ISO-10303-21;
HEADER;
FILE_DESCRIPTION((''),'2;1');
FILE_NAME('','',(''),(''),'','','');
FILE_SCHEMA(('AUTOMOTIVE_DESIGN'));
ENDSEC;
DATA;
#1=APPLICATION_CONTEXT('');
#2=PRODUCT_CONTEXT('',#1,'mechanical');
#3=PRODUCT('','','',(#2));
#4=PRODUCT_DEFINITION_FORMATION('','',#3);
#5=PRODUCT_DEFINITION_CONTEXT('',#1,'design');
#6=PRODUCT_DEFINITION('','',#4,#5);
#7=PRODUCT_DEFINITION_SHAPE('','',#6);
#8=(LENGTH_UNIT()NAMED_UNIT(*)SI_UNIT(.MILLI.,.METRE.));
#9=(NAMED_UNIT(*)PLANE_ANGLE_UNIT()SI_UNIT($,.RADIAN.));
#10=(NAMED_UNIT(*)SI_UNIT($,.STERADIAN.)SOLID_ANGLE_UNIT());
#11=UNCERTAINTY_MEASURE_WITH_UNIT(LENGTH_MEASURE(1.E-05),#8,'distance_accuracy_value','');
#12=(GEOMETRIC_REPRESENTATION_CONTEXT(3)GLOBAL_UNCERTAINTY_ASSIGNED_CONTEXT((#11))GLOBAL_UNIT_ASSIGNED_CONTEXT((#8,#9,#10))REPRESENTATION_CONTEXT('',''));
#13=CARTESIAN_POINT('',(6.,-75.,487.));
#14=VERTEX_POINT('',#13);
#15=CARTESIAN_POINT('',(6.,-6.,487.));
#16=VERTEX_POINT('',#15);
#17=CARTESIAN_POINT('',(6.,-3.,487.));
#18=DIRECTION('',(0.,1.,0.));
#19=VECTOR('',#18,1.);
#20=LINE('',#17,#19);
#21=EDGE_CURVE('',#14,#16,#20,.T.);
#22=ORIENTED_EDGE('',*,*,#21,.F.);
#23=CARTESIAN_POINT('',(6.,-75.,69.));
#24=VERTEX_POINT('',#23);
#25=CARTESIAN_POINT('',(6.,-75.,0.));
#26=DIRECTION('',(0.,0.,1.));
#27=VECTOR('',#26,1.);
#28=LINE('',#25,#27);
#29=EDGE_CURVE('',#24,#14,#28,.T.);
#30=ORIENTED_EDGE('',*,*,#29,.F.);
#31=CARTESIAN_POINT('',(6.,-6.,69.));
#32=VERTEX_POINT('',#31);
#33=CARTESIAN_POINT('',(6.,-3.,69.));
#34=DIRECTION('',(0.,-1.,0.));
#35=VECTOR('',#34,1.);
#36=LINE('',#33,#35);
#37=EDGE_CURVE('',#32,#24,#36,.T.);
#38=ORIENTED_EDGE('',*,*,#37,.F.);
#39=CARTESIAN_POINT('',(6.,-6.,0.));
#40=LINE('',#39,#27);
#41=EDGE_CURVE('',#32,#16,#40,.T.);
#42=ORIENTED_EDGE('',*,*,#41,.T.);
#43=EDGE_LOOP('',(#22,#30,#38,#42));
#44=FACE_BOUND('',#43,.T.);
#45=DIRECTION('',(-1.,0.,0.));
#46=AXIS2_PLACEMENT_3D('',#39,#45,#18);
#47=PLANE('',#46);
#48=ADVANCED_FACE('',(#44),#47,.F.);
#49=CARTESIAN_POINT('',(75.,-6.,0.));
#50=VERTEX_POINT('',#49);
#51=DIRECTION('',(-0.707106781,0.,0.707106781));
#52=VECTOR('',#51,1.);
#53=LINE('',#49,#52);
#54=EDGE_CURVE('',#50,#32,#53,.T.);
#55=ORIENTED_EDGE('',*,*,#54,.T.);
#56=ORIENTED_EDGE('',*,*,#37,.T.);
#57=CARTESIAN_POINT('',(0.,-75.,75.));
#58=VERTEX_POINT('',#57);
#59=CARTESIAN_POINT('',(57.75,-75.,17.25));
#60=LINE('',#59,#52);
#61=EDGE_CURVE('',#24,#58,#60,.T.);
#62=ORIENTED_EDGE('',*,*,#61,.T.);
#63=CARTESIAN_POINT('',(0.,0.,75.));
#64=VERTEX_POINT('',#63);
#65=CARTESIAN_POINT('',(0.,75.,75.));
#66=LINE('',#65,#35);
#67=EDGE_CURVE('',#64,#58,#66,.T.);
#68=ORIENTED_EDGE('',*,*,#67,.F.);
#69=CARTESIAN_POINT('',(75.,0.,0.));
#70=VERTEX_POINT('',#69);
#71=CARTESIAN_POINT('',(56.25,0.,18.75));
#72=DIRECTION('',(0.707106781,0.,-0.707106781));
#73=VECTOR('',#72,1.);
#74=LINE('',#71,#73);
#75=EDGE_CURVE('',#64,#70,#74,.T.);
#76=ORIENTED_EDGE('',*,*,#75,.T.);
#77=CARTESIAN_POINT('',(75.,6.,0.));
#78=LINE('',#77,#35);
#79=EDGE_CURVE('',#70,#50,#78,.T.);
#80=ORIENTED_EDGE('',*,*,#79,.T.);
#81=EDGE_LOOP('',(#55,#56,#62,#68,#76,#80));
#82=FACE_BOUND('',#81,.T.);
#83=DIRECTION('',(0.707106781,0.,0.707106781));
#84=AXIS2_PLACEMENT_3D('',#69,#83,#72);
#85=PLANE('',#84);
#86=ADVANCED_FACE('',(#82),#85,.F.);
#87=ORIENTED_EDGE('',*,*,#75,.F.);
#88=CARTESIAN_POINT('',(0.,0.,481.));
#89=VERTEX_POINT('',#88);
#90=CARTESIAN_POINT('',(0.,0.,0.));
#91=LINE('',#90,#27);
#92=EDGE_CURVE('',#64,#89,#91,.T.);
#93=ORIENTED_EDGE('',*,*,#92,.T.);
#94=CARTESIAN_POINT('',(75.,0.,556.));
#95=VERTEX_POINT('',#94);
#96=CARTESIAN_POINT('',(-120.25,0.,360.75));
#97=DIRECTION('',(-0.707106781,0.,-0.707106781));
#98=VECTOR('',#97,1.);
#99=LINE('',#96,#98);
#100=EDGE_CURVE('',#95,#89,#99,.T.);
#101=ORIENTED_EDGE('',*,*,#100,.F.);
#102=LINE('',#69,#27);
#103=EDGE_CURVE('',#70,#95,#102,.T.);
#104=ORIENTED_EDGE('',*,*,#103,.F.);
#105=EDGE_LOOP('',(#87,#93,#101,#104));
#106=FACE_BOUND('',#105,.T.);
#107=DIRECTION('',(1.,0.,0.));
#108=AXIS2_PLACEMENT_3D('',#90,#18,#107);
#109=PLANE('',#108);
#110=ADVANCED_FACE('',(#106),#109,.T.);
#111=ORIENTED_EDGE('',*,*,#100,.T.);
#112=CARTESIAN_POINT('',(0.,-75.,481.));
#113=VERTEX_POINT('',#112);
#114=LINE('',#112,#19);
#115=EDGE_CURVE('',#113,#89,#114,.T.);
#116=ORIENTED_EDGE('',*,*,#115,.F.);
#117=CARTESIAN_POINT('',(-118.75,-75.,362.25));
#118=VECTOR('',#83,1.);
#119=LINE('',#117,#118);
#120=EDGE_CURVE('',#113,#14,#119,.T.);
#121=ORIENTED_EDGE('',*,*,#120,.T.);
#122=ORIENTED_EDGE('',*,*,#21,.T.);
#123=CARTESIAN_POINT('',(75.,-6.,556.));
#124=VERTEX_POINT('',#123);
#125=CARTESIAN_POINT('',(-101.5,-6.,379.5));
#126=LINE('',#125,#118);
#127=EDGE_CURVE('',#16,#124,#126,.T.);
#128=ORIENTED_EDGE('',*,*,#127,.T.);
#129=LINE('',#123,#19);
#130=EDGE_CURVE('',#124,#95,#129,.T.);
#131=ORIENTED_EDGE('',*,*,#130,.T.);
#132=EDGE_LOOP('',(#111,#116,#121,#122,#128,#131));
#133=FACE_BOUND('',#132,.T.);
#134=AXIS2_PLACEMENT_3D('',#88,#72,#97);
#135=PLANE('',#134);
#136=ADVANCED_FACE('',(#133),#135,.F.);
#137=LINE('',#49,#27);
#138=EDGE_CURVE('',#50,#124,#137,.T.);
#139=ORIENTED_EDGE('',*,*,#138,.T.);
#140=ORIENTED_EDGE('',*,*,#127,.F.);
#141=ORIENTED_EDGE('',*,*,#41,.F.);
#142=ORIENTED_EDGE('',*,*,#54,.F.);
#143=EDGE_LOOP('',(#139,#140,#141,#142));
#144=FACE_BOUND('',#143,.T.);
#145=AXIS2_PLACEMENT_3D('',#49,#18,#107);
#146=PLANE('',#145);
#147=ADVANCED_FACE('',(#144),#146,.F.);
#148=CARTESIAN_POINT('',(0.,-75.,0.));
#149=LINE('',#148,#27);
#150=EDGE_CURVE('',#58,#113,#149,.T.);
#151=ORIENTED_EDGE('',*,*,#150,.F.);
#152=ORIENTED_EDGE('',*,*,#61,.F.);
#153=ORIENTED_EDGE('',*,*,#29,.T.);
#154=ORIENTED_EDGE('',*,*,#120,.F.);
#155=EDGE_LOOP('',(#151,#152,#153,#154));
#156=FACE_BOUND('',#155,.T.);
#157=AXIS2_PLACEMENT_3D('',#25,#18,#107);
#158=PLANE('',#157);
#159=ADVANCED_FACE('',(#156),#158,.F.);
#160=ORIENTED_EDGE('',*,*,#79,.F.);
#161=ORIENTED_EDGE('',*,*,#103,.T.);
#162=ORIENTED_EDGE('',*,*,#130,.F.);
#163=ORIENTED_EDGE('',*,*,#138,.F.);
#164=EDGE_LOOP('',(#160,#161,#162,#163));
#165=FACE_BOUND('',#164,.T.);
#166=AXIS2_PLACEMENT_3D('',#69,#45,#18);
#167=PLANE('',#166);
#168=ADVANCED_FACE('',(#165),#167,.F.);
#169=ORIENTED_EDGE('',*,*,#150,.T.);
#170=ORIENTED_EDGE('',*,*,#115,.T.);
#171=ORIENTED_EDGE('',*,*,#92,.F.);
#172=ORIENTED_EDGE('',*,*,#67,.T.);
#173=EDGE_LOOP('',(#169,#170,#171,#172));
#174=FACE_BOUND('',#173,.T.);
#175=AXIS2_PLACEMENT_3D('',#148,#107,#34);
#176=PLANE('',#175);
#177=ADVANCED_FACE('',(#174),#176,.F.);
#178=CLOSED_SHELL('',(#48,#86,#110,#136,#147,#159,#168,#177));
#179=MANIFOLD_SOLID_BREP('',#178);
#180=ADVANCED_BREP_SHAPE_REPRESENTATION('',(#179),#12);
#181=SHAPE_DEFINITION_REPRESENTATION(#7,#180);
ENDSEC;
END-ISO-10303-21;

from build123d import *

# Parameters (mm, degrees)
F1_DEPTH = 556
F3_DEPTH = 75.001
F5_DEPTH = 75.001
F7_W     = 75
F7_H     = 75
F8_DEPTH = 556.001


with BuildPart() as f1:
    # F0 (on Top) → F1 (new body)
    with BuildSketch(Plane.XY):
        Polygon((0, 75), (0, 0), (75, 0), (75, 6), (6, 6), (6, 75), align=None)
    extrude(amount=F1_DEPTH)

    # F2 (on Front) → F3 (cut, through all)
    with BuildSketch(Plane.XZ):
        Polygon((0, 75), (0, 0), (75, 0), align=None)
    extrude(amount=-F3_DEPTH, mode=Mode.SUBTRACT)

    # F4 (on Front) → F5 (cut, through all)
    with BuildSketch(Plane.XZ):
        Polygon((0, 481), (75, 556), (0, 556), align=None)
    extrude(amount=-F5_DEPTH, mode=Mode.SUBTRACT)

    # F6: F1 across plane


with BuildPart() as f1_1:
    add(f1.part)
    add(f1.part.mirror(Plane.XZ))

    # F7 (on Top) → F8 (cut, through all)
    with BuildSketch(Plane.XY):
        with Locations((37.5, 37.5)):
            Rectangle(F7_W, F7_H)
    extrude(amount=F8_DEPTH, mode=Mode.SUBTRACT)


solid = f1_1.part
